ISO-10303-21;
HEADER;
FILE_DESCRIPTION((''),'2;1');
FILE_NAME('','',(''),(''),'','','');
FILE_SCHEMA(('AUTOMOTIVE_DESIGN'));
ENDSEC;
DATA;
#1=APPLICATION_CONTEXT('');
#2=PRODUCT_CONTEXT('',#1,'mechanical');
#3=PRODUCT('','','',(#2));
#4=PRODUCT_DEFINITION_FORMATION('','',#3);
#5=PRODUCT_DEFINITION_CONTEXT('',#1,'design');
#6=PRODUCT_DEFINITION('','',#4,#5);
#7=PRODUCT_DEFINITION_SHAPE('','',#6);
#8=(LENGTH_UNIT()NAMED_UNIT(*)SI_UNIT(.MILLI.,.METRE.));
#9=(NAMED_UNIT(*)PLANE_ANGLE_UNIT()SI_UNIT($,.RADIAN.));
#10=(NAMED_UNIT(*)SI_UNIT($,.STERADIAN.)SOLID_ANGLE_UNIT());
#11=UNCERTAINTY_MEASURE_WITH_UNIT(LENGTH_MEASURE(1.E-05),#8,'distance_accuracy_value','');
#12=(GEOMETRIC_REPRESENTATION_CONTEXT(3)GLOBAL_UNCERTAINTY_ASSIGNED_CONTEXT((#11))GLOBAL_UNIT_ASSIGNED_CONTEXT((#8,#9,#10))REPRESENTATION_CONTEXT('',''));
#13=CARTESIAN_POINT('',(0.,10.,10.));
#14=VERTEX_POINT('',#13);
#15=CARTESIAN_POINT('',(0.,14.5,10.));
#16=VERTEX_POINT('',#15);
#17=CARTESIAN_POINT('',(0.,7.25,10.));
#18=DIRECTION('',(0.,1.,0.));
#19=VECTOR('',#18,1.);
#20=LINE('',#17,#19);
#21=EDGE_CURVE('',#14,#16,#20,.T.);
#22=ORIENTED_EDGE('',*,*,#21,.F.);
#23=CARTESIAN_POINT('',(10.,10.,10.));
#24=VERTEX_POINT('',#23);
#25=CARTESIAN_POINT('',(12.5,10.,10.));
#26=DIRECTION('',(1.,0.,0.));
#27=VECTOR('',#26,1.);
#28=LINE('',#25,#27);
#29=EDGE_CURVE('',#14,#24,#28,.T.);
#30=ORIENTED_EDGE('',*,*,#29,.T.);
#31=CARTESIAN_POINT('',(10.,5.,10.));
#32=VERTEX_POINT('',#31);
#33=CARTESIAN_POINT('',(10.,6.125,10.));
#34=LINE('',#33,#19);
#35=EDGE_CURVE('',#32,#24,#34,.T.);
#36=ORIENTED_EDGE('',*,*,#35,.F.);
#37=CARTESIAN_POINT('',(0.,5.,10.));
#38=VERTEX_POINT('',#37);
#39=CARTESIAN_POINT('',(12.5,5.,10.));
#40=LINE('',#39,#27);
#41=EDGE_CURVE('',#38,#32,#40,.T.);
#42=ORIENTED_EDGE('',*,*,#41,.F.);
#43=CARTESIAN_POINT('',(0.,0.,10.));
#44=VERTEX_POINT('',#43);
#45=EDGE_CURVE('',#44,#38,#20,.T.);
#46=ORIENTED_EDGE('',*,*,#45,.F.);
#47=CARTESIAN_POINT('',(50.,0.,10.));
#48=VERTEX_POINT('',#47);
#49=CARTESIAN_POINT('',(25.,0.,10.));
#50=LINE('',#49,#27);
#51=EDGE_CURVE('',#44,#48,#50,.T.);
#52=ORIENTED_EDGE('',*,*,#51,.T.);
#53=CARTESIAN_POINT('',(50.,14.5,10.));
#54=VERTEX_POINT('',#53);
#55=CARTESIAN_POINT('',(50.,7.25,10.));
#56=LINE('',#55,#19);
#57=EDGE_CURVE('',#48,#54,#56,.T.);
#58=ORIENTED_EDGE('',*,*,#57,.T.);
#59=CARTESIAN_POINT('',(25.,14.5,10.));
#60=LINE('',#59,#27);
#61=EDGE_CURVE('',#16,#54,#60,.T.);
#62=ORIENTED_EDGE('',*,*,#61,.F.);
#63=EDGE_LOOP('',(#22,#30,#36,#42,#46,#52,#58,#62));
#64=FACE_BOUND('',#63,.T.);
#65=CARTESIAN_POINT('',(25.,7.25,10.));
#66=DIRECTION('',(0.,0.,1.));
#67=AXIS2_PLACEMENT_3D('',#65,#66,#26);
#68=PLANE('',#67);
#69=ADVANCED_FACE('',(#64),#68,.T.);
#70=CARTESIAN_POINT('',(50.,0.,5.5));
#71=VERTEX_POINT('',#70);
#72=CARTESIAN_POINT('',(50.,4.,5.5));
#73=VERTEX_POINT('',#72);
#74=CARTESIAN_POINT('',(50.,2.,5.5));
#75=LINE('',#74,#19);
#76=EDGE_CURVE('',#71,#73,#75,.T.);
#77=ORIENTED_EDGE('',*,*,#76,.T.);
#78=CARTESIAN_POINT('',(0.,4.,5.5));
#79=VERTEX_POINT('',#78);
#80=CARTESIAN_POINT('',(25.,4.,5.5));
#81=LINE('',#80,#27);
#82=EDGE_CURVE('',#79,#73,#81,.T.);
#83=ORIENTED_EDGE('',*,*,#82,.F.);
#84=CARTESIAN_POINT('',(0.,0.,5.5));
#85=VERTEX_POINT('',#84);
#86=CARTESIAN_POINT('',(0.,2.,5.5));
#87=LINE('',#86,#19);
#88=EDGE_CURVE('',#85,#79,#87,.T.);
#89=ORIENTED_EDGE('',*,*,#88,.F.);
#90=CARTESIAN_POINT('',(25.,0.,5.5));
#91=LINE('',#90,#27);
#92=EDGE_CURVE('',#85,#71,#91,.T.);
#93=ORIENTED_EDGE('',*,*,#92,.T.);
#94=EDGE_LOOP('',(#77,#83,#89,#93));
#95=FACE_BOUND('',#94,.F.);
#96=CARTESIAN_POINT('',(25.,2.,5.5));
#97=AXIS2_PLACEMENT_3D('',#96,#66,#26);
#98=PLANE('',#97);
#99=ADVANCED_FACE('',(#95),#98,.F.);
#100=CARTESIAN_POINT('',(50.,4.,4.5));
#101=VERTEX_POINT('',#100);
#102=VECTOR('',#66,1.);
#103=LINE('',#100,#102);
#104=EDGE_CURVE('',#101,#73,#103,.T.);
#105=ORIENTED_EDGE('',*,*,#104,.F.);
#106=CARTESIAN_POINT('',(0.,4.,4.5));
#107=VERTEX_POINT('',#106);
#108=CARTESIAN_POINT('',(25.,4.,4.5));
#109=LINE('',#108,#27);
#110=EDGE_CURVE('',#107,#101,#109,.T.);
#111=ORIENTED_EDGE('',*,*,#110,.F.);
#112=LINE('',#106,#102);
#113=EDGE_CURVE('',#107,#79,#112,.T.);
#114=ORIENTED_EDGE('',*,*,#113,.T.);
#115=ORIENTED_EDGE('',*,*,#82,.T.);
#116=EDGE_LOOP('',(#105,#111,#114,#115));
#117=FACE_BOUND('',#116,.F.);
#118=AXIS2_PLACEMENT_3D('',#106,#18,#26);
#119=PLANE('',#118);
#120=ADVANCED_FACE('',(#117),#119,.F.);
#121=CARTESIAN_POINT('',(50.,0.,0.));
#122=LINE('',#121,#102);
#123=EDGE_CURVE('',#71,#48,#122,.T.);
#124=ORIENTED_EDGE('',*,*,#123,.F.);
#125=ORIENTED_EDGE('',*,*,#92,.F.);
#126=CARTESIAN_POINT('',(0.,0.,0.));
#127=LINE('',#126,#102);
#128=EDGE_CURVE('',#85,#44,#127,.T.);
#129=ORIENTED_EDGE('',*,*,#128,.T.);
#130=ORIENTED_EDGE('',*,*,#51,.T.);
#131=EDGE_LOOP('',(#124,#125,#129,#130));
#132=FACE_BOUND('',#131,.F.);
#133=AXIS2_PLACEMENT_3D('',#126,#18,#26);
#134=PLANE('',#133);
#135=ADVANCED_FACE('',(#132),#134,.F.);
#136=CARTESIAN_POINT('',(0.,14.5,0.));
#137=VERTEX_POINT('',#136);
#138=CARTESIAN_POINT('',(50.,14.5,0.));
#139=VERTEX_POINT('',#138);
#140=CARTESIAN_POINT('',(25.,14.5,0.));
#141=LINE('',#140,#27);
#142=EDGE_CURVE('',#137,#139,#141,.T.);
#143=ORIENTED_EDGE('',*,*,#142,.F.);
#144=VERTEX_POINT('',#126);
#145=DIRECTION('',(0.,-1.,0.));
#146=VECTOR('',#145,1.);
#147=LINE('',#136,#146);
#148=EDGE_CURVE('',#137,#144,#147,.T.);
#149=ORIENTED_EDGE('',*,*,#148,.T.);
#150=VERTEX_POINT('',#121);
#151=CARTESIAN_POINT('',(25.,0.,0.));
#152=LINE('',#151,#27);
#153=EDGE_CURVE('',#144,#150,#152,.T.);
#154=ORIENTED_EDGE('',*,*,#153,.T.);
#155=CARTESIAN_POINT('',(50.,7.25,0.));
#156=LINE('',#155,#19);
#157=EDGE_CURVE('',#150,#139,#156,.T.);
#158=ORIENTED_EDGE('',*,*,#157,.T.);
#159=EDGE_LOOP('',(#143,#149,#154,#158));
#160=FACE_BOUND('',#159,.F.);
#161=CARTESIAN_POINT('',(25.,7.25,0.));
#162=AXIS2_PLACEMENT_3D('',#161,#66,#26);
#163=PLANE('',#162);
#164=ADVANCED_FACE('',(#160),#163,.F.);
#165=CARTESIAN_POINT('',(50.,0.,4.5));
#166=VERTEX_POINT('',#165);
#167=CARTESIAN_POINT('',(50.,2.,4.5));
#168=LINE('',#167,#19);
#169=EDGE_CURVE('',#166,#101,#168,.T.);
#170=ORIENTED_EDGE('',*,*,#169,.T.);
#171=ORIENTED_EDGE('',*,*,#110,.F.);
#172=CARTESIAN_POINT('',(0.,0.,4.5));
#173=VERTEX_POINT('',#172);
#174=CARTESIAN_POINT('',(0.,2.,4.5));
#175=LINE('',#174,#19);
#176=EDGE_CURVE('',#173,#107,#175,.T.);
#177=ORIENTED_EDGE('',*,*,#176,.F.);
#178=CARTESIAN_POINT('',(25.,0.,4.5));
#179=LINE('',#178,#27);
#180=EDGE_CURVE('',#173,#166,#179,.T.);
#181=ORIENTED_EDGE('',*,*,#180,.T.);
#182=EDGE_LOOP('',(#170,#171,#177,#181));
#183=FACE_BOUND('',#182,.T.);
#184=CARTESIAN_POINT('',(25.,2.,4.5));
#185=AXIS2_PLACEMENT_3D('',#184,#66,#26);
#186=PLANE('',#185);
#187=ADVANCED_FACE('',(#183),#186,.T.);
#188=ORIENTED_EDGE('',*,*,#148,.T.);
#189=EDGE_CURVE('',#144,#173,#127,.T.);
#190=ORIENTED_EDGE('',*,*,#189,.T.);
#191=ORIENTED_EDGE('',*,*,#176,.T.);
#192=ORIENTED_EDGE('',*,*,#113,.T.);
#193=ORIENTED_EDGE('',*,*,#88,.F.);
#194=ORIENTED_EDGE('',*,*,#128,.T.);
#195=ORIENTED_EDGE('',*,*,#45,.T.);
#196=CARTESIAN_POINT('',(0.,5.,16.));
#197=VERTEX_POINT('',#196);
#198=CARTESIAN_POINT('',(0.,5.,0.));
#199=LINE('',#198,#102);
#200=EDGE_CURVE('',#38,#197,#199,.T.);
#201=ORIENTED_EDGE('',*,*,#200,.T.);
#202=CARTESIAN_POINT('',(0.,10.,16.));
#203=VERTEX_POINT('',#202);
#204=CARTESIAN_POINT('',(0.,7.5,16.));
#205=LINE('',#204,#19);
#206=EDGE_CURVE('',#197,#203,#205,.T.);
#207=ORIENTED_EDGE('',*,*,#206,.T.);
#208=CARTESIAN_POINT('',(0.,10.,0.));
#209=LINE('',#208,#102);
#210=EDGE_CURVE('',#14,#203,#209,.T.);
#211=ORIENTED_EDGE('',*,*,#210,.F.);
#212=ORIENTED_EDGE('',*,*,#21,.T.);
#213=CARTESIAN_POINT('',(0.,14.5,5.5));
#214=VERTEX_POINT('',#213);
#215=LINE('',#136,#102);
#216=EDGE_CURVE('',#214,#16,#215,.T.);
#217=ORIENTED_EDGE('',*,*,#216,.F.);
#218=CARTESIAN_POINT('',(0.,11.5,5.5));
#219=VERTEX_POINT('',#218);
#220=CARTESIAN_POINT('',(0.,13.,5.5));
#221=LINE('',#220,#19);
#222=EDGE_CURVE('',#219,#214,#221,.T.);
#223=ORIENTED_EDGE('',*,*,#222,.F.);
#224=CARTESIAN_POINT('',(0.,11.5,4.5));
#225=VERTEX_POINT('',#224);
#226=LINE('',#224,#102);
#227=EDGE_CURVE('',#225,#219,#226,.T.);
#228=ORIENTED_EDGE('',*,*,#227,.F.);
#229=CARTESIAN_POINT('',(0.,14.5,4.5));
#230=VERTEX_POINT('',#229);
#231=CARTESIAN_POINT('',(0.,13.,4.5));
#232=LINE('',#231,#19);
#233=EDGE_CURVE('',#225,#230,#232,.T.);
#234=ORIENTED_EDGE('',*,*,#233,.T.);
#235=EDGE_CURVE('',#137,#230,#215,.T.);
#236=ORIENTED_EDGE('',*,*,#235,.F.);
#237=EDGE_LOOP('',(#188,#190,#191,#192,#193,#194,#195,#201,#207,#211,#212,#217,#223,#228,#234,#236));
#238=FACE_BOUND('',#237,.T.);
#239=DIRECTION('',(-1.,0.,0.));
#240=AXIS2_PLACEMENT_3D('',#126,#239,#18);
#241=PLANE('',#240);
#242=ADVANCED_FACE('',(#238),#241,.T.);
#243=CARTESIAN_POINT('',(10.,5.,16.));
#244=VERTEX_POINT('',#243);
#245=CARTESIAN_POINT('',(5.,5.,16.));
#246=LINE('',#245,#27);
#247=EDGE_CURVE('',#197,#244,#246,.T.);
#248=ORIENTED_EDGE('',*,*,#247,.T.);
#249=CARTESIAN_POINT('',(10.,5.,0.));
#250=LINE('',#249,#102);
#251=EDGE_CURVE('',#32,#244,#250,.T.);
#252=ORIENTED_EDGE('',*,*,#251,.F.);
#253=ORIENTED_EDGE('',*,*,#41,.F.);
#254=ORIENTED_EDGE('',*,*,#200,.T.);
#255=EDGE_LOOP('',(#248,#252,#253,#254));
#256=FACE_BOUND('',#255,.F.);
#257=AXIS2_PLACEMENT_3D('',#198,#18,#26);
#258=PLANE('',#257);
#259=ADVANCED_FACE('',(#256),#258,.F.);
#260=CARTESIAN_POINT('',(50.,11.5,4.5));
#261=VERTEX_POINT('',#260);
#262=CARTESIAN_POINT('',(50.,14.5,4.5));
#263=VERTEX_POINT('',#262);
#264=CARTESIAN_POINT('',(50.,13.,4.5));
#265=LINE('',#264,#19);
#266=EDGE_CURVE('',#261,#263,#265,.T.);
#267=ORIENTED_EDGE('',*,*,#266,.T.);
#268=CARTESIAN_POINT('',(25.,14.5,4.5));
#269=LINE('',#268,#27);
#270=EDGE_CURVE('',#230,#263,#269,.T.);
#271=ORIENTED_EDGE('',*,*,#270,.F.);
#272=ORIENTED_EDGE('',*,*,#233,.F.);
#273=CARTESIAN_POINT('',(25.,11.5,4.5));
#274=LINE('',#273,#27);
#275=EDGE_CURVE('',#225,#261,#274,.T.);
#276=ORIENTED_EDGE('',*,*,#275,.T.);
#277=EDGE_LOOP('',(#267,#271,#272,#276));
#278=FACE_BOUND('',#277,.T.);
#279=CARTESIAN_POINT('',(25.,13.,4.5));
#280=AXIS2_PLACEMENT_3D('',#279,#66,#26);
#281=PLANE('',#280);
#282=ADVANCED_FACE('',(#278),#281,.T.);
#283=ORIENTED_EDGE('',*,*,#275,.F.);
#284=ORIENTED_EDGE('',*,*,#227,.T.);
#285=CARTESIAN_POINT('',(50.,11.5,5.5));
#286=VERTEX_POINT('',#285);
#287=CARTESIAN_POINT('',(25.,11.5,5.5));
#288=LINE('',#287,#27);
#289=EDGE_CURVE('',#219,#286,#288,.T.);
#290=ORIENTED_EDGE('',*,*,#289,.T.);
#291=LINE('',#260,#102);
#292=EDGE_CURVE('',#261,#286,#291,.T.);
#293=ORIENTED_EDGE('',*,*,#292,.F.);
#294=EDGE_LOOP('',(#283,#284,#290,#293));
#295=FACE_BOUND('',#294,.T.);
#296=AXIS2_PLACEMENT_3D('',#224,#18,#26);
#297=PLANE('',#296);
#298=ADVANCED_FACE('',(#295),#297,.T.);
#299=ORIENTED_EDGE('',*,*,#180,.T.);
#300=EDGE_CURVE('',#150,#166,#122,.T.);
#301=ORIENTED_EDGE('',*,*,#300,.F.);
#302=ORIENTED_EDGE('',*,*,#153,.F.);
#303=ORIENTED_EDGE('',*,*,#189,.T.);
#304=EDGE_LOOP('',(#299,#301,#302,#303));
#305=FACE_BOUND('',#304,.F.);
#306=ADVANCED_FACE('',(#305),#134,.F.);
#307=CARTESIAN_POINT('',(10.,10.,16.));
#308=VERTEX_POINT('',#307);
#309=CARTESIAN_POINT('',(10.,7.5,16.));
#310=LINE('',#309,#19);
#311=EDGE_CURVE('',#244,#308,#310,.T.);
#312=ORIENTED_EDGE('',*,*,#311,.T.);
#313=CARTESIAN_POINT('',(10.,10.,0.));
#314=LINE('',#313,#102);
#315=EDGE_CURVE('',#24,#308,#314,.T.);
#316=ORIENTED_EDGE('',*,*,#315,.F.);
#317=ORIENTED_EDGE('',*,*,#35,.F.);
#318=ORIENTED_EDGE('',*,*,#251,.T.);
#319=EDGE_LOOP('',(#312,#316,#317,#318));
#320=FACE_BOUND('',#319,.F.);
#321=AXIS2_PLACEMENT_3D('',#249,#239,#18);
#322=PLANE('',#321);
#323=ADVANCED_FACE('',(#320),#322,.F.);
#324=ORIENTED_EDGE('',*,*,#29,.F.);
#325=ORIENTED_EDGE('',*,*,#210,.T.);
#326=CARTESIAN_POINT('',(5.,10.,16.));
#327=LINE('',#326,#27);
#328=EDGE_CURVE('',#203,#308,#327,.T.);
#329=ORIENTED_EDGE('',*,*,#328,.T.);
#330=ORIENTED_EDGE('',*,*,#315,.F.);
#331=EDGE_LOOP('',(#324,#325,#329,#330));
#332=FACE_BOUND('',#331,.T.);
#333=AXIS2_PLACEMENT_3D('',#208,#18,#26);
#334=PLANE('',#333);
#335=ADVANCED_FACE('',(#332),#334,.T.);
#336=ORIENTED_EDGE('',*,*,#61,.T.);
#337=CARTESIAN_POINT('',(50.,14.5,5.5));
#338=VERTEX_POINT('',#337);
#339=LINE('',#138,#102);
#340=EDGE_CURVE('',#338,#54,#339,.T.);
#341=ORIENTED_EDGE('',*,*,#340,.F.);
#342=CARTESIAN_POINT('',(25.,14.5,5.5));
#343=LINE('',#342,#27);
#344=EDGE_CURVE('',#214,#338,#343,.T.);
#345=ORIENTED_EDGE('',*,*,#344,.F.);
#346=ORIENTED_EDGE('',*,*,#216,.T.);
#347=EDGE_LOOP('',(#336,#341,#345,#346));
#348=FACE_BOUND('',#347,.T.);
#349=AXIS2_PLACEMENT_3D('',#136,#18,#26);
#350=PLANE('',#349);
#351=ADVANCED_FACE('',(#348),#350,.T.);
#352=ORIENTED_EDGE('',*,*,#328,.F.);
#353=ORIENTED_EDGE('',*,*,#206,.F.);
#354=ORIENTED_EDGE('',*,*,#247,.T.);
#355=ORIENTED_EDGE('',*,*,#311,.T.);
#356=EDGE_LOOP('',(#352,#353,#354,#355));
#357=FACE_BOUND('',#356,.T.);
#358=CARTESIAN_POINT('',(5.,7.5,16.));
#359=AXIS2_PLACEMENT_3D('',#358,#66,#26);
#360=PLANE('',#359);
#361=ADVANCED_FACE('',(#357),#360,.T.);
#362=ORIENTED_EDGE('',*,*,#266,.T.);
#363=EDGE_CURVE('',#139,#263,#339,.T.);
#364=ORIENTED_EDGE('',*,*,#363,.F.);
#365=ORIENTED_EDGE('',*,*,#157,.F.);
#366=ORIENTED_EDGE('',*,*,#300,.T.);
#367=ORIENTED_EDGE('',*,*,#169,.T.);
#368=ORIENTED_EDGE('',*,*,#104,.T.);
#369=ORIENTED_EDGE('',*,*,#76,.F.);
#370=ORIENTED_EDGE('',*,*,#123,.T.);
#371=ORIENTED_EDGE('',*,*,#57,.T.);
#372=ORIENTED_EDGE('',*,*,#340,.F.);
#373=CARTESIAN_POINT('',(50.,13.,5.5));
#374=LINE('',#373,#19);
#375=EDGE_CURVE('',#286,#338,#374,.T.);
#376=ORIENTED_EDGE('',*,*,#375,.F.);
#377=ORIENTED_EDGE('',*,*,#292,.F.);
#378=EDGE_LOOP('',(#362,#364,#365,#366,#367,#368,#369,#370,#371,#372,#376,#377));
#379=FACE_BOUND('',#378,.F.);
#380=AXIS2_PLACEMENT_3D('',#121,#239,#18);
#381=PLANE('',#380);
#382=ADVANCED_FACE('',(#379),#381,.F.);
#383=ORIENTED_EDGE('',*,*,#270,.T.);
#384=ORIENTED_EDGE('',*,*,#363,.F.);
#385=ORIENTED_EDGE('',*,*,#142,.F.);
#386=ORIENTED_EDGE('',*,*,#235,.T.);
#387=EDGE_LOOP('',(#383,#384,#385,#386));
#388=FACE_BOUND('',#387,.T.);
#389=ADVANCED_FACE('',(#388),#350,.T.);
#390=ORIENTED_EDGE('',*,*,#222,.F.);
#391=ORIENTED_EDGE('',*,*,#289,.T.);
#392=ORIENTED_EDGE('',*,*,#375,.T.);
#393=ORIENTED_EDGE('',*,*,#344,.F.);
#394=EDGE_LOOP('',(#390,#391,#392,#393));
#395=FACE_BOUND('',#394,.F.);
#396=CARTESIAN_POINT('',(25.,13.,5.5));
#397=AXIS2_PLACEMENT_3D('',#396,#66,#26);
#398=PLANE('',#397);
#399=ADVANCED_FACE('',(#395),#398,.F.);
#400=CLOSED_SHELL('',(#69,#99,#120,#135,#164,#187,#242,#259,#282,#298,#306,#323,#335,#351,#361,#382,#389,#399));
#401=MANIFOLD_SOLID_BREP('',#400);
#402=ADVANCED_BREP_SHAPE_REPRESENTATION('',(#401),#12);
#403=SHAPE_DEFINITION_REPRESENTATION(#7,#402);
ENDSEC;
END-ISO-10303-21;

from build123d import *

# Parameters (mm, degrees)
BOX002_W     = 50
BOX002_H     = 3
BOX002_DEPTH = 1
BOX001_W     = 50
BOX001_H     = 4
BOX001_DEPTH = 1
BOX_W        = 50
BOX_H        = 14.5
BOX_DEPTH    = 10
BOX003_W     = 10
BOX003_H     = 5
BOX003_DEPTH = 16


with BuildPart() as cube002:
    # Box002 → Box002 (new body)
    with BuildSketch(Plane(origin=(0, 11.5, 4.5), x_dir=(1, 0, 0), z_dir=(0, 0, 1))):
        with Locations((25, 1.5)):
            Rectangle(BOX002_W, BOX002_H)
    extrude(amount=BOX002_DEPTH)


with BuildPart() as cube001:
    # Box001 → Box001 (new body)
    with BuildSketch(Plane.XY.offset(4.5)):
        with Locations((25, 2)):
            Rectangle(BOX001_W, BOX001_H)
    extrude(amount=BOX001_DEPTH)


with BuildPart() as cut001:
    # Box → Box (new body)
    with BuildSketch(Plane.XY):
        with Locations((25, 7.25)):
            Rectangle(BOX_W, BOX_H)
    extrude(amount=BOX_DEPTH)

    # Cut: cut Cube001
    add(cube001.part, mode=Mode.SUBTRACT)

    # Cut001: cut Cube002
    add(cube002.part, mode=Mode.SUBTRACT)


with BuildPart() as test_slider001:
    # Box003 → Box003 (new body)
    with BuildSketch(Plane(origin=(0, 5, 0), x_dir=(1, 0, 0), z_dir=(0, 0, 1))):
        with Locations((5, 2.5)):
            Rectangle(BOX003_W, BOX003_H)
    extrude(amount=BOX003_DEPTH)

    # Fusion: union Cut001
    add(cut001.part)


solid = test_slider001.part
